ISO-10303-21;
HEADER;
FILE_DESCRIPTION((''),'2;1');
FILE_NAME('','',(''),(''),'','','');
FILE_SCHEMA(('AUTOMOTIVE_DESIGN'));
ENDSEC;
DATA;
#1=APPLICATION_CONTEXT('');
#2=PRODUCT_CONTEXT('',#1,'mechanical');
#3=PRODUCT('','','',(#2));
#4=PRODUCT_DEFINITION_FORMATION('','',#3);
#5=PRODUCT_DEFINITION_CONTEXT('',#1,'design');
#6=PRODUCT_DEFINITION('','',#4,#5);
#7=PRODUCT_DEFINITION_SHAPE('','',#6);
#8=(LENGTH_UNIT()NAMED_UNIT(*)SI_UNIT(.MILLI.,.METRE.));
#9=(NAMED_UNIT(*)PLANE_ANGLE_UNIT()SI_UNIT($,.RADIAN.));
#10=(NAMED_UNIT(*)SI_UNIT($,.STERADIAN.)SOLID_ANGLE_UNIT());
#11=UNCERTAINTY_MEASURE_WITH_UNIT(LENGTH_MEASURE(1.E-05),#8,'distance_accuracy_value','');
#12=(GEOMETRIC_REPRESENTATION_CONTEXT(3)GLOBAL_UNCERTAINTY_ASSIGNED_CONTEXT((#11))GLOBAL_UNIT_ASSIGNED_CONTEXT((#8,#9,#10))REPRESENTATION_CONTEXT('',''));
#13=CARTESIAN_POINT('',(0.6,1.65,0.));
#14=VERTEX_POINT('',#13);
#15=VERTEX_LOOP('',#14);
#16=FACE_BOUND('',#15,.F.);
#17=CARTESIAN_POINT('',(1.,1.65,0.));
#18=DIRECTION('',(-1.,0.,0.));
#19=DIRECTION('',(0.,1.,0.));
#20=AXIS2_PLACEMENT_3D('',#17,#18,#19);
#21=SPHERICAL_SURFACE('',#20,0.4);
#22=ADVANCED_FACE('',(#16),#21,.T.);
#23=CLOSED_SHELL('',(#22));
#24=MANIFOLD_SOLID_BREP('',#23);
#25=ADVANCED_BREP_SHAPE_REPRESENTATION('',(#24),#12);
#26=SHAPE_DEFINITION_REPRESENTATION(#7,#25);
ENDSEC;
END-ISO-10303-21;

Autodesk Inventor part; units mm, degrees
ref_plane "YZ Plane" through (0, 0, 0) normal (1, 0, 0) x (0, 1, 0)
ref_plane "XZ Plane" through (0, 0, 0) normal (0, 1, 0) x (-1, 0, 0)
ref_plane "XY Plane" through (0, 0, 0) normal (0, 0, 1) x (1, 0, 0)
sketch "Sketch_6" plane through (0, 0, 0) normal (0, 0, 1) x (1, 0, 0)
  line L0 (1.4, 1.65) -> (0.6, 1.65)
  arc A0 (1.4, 1.65) -> (0.6, 1.65) centre (1, 1.65) ccw
  line L1 (1.4, 1.65) -> (0.6, 1.65)
  dimension "d0" = 360
revolve "Revolution1" add sketch "Sketch_6" angle 360 about axis through (1.4, 1.65, 0) along (1, 0, 0)
properties part number "W 618/2 X_PART3"
